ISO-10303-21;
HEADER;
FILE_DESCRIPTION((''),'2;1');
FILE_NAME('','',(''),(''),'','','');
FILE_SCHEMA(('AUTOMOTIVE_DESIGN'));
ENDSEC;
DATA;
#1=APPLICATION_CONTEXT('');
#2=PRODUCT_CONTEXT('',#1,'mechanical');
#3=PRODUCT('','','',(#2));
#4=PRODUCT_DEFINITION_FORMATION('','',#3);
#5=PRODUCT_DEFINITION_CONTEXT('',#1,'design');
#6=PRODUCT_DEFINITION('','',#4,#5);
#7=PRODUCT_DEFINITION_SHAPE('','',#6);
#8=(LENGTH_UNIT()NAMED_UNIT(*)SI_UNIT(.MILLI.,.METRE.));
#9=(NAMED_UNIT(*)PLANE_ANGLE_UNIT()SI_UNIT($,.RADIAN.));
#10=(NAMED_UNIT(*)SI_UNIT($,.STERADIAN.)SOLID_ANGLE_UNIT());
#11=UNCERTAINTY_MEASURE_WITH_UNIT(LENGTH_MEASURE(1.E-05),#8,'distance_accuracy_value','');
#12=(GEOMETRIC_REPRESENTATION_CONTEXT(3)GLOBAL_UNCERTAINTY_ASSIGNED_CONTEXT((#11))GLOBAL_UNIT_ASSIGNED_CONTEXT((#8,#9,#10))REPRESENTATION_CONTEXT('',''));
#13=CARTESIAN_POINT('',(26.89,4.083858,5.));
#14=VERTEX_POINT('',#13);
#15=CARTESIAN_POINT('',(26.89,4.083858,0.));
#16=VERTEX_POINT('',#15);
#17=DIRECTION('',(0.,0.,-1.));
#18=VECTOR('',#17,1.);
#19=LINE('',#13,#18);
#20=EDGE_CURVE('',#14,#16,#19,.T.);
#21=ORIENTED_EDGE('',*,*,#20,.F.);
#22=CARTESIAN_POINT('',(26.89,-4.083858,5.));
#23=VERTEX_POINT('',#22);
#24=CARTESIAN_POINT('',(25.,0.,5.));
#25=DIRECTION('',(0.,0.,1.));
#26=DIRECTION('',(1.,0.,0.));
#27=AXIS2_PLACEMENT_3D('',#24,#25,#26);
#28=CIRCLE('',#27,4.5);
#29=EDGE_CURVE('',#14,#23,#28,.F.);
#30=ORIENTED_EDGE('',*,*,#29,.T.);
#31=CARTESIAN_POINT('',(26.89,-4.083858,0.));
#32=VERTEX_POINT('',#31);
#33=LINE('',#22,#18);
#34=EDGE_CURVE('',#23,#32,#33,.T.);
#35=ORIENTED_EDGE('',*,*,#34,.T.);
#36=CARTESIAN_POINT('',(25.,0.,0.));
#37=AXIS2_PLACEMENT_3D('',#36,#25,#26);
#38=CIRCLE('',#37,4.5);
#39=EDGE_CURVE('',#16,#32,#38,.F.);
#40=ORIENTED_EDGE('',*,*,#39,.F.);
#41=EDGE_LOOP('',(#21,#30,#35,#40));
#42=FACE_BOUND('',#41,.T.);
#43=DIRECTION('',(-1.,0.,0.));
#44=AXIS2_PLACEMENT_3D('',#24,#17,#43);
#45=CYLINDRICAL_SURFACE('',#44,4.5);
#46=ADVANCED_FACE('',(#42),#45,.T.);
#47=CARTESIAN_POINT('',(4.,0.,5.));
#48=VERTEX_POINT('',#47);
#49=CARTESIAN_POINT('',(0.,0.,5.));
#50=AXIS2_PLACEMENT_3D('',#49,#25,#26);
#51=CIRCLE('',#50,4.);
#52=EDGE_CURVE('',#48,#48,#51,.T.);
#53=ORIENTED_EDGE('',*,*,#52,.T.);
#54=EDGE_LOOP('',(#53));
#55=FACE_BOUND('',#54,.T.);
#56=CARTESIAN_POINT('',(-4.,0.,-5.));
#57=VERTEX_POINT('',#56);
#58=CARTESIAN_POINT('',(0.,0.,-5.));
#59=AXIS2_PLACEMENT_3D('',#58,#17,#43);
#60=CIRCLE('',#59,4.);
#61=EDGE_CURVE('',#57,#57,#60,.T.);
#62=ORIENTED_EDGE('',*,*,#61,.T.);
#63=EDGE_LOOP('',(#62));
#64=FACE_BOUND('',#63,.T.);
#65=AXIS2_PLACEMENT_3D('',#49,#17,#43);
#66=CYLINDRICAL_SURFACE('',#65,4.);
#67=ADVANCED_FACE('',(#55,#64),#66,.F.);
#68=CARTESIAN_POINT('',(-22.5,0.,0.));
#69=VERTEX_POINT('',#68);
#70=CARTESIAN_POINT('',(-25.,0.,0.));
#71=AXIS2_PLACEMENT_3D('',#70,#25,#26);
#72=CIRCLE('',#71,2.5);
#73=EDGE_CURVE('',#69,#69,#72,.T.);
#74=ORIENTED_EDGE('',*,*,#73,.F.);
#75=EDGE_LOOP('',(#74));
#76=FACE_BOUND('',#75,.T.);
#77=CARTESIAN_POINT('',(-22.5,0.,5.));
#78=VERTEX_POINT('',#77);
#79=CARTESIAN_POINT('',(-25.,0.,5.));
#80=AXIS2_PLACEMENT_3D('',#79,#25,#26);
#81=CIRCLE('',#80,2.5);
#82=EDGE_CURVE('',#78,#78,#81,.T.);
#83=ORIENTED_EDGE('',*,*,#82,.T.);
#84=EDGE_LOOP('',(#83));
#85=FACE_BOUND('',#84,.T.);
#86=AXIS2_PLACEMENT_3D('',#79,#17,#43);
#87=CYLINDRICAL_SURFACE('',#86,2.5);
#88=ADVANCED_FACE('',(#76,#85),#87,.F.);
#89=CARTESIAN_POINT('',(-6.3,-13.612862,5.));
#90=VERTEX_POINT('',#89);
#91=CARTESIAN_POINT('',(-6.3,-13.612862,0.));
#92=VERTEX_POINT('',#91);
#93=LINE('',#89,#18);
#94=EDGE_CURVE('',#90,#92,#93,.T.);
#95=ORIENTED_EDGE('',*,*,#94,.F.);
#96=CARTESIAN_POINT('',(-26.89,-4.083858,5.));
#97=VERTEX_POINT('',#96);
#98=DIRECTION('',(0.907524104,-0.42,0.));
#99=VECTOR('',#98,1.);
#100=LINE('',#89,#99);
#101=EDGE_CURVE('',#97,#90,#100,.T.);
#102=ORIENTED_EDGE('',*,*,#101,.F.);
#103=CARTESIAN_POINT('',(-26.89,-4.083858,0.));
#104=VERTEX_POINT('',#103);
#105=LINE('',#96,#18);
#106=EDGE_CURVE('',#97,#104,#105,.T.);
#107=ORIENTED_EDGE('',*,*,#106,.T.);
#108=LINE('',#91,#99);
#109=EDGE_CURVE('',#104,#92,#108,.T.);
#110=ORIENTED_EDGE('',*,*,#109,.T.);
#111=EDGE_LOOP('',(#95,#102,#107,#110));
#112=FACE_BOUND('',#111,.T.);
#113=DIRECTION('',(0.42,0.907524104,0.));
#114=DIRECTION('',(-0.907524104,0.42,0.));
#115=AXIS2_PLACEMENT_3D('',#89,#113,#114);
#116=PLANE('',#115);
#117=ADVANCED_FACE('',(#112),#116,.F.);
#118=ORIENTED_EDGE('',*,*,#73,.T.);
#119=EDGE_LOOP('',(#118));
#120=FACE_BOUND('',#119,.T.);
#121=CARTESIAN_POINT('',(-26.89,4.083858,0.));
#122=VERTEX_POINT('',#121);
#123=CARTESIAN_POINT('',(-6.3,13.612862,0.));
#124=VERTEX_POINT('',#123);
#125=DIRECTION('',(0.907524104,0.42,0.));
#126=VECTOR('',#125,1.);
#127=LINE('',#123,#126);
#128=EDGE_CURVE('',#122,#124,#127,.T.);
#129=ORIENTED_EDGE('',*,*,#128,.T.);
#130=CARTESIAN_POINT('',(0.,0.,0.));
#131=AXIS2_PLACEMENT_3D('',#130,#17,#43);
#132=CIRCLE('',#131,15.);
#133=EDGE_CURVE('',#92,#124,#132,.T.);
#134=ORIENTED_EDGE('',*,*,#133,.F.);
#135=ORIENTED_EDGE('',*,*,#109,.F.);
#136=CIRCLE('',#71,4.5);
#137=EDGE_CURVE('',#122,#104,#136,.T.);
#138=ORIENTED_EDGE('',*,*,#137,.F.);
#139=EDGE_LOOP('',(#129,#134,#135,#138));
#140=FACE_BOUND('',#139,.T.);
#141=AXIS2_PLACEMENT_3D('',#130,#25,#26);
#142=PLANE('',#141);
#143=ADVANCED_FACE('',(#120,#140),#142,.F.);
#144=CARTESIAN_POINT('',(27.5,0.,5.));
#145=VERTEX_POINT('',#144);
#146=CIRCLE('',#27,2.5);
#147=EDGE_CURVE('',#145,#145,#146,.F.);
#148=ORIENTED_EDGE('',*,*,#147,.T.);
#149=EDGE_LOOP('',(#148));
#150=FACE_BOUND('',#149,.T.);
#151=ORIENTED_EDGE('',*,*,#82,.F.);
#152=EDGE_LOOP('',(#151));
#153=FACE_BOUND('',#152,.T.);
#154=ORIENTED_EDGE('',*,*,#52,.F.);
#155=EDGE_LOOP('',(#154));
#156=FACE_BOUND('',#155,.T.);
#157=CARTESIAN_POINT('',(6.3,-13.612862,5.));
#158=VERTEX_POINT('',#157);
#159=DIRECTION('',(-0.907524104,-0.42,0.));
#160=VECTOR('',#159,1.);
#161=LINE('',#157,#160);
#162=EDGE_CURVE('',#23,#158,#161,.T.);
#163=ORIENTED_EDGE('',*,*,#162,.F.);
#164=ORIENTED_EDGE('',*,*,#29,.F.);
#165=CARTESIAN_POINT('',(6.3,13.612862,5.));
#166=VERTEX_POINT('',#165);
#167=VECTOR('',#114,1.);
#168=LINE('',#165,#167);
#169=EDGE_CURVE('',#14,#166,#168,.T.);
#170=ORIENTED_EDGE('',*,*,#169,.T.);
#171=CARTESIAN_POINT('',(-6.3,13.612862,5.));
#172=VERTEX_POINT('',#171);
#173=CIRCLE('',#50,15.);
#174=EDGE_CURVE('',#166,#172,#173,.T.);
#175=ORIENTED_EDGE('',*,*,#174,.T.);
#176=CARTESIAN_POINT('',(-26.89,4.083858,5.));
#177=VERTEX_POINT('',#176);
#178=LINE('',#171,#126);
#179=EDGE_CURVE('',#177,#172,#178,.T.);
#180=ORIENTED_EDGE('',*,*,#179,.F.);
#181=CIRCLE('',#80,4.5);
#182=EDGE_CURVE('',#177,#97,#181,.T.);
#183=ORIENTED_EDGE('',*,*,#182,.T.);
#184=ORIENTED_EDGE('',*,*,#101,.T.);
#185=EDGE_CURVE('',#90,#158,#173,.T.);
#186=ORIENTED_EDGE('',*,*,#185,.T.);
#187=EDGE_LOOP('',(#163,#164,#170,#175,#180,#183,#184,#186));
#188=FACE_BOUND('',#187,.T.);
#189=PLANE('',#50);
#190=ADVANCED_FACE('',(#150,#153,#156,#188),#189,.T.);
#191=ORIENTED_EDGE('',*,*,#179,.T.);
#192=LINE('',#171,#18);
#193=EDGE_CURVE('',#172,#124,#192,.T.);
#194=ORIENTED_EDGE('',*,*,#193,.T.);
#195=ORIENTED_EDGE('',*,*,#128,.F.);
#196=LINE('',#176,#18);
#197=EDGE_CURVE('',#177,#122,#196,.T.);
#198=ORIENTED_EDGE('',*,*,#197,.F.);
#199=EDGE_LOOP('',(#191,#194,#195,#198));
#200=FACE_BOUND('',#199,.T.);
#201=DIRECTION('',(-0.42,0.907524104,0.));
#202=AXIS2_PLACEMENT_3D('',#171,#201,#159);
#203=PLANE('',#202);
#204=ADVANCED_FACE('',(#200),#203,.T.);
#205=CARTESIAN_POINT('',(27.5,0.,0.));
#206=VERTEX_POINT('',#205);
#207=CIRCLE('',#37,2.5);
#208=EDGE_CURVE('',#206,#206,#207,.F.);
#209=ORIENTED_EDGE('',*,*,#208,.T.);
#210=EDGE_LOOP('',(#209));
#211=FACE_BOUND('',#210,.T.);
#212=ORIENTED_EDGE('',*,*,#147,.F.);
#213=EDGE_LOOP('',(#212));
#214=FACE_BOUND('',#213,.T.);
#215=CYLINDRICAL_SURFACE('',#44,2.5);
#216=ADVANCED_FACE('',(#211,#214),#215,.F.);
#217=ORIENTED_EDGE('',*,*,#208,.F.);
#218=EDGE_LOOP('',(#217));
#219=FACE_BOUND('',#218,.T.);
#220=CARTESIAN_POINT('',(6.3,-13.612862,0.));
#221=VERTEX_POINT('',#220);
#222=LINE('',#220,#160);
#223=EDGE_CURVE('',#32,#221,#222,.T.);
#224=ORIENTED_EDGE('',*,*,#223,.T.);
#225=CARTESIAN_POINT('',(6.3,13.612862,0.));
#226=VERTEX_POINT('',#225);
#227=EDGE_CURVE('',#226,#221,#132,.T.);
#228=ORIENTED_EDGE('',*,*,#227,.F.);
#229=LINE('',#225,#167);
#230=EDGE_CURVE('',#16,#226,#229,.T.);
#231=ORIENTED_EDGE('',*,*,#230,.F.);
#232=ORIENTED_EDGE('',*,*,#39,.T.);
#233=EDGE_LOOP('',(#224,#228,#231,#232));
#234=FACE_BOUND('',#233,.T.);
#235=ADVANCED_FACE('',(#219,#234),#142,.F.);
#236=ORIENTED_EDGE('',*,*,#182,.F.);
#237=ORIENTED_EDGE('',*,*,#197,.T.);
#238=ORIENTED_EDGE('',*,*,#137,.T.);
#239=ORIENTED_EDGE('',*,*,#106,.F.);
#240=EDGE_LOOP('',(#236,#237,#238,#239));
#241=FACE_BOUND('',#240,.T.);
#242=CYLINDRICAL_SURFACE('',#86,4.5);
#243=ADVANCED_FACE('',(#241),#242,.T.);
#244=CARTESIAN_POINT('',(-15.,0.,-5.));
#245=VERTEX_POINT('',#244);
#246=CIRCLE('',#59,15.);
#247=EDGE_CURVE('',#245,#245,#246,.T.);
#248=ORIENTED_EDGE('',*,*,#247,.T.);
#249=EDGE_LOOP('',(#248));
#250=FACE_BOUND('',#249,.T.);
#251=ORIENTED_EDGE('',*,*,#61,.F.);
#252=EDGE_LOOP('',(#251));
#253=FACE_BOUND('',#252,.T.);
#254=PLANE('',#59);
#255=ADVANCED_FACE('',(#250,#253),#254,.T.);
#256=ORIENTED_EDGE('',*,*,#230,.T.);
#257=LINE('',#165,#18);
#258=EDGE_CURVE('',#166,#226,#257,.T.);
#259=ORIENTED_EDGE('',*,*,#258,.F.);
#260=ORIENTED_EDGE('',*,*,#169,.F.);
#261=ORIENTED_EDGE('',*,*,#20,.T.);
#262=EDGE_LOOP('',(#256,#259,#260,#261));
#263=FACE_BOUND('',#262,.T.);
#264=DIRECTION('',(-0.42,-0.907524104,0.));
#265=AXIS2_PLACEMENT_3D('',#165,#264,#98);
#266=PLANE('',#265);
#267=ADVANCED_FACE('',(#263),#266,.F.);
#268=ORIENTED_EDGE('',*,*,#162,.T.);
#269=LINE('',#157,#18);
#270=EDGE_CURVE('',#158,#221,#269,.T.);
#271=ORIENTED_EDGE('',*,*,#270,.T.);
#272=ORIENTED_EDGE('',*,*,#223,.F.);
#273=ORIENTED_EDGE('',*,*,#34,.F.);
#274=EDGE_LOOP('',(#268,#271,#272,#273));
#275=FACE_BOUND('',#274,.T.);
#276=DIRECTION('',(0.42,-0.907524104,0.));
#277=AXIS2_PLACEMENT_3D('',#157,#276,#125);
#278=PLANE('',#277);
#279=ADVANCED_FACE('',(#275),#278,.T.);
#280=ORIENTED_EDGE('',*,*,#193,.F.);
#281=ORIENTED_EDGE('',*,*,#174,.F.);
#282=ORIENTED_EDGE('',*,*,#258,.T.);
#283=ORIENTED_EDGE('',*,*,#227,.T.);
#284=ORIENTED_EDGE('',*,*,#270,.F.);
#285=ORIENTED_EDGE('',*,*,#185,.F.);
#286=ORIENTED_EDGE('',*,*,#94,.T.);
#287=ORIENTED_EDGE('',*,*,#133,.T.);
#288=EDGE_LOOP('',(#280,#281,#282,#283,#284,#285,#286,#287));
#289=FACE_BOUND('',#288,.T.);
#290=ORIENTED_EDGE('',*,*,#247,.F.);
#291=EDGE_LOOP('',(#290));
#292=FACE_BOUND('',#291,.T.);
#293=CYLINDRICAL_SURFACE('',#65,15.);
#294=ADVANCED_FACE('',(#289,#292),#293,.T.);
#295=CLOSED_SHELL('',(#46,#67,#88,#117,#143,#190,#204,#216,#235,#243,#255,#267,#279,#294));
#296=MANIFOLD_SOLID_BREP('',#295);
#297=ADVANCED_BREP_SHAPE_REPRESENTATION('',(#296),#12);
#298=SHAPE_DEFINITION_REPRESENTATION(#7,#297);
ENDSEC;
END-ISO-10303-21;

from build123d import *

# Parameters (mm, degrees)
SKETCH1_R           = 2.5
SKETCH1_R_2         = 4
BOSS_EXTRUDE1_DEPTH = 5
BOSS_EXTRUDE2_START = 5
SKETCH2_R           = 15
SKETCH2_R_2         = 4
BOSS_EXTRUDE2_DEPTH = 5


with BuildPart() as part:
    # Sketch1 → Boss-Extrude1 (new body)
    with BuildSketch(Plane.XY):
        with BuildLine():
            Line((6.3, -13.612861565), (26.89, -4.08385847))
            ThreePointArc((26.89, -4.08385847), (29.5, 0), (26.89, 4.08385847))
            Line((26.89, 4.08385847), (6.3, 13.612861565))
            ThreePointArc((6.3, 13.612861565), (0, 15), (-6.3, 13.612861565))
            Line((-6.3, 13.612861565), (-26.89, 4.08385847))
            ThreePointArc((-26.89, 4.08385847), (-29.5, 0), (-26.89, -4.08385847))
            Line((-26.89, -4.08385847), (-6.3, -13.612861565))
            ThreePointArc((-6.3, -13.612861565), (0, -15), (6.3, -13.612861565))
        make_face()
        with Locations((25, 0)):
            Circle(SKETCH1_R, mode=Mode.SUBTRACT)
        Circle(SKETCH1_R_2, mode=Mode.SUBTRACT)
        with Locations((-25, 0)):
            Circle(SKETCH1_R, mode=Mode.SUBTRACT)
    extrude(amount=BOSS_EXTRUDE1_DEPTH)

    # Sketch2 → Boss-Extrude2 (add)
    with BuildSketch(Plane(origin=(0, 0, 0), x_dir=(-1, 0, 0), z_dir=(0, 0, -1)).offset(BOSS_EXTRUDE2_START)):
        Circle(SKETCH2_R)
        Circle(SKETCH2_R_2, mode=Mode.SUBTRACT)
    extrude(amount=-BOSS_EXTRUDE2_DEPTH)


solid = part.part
